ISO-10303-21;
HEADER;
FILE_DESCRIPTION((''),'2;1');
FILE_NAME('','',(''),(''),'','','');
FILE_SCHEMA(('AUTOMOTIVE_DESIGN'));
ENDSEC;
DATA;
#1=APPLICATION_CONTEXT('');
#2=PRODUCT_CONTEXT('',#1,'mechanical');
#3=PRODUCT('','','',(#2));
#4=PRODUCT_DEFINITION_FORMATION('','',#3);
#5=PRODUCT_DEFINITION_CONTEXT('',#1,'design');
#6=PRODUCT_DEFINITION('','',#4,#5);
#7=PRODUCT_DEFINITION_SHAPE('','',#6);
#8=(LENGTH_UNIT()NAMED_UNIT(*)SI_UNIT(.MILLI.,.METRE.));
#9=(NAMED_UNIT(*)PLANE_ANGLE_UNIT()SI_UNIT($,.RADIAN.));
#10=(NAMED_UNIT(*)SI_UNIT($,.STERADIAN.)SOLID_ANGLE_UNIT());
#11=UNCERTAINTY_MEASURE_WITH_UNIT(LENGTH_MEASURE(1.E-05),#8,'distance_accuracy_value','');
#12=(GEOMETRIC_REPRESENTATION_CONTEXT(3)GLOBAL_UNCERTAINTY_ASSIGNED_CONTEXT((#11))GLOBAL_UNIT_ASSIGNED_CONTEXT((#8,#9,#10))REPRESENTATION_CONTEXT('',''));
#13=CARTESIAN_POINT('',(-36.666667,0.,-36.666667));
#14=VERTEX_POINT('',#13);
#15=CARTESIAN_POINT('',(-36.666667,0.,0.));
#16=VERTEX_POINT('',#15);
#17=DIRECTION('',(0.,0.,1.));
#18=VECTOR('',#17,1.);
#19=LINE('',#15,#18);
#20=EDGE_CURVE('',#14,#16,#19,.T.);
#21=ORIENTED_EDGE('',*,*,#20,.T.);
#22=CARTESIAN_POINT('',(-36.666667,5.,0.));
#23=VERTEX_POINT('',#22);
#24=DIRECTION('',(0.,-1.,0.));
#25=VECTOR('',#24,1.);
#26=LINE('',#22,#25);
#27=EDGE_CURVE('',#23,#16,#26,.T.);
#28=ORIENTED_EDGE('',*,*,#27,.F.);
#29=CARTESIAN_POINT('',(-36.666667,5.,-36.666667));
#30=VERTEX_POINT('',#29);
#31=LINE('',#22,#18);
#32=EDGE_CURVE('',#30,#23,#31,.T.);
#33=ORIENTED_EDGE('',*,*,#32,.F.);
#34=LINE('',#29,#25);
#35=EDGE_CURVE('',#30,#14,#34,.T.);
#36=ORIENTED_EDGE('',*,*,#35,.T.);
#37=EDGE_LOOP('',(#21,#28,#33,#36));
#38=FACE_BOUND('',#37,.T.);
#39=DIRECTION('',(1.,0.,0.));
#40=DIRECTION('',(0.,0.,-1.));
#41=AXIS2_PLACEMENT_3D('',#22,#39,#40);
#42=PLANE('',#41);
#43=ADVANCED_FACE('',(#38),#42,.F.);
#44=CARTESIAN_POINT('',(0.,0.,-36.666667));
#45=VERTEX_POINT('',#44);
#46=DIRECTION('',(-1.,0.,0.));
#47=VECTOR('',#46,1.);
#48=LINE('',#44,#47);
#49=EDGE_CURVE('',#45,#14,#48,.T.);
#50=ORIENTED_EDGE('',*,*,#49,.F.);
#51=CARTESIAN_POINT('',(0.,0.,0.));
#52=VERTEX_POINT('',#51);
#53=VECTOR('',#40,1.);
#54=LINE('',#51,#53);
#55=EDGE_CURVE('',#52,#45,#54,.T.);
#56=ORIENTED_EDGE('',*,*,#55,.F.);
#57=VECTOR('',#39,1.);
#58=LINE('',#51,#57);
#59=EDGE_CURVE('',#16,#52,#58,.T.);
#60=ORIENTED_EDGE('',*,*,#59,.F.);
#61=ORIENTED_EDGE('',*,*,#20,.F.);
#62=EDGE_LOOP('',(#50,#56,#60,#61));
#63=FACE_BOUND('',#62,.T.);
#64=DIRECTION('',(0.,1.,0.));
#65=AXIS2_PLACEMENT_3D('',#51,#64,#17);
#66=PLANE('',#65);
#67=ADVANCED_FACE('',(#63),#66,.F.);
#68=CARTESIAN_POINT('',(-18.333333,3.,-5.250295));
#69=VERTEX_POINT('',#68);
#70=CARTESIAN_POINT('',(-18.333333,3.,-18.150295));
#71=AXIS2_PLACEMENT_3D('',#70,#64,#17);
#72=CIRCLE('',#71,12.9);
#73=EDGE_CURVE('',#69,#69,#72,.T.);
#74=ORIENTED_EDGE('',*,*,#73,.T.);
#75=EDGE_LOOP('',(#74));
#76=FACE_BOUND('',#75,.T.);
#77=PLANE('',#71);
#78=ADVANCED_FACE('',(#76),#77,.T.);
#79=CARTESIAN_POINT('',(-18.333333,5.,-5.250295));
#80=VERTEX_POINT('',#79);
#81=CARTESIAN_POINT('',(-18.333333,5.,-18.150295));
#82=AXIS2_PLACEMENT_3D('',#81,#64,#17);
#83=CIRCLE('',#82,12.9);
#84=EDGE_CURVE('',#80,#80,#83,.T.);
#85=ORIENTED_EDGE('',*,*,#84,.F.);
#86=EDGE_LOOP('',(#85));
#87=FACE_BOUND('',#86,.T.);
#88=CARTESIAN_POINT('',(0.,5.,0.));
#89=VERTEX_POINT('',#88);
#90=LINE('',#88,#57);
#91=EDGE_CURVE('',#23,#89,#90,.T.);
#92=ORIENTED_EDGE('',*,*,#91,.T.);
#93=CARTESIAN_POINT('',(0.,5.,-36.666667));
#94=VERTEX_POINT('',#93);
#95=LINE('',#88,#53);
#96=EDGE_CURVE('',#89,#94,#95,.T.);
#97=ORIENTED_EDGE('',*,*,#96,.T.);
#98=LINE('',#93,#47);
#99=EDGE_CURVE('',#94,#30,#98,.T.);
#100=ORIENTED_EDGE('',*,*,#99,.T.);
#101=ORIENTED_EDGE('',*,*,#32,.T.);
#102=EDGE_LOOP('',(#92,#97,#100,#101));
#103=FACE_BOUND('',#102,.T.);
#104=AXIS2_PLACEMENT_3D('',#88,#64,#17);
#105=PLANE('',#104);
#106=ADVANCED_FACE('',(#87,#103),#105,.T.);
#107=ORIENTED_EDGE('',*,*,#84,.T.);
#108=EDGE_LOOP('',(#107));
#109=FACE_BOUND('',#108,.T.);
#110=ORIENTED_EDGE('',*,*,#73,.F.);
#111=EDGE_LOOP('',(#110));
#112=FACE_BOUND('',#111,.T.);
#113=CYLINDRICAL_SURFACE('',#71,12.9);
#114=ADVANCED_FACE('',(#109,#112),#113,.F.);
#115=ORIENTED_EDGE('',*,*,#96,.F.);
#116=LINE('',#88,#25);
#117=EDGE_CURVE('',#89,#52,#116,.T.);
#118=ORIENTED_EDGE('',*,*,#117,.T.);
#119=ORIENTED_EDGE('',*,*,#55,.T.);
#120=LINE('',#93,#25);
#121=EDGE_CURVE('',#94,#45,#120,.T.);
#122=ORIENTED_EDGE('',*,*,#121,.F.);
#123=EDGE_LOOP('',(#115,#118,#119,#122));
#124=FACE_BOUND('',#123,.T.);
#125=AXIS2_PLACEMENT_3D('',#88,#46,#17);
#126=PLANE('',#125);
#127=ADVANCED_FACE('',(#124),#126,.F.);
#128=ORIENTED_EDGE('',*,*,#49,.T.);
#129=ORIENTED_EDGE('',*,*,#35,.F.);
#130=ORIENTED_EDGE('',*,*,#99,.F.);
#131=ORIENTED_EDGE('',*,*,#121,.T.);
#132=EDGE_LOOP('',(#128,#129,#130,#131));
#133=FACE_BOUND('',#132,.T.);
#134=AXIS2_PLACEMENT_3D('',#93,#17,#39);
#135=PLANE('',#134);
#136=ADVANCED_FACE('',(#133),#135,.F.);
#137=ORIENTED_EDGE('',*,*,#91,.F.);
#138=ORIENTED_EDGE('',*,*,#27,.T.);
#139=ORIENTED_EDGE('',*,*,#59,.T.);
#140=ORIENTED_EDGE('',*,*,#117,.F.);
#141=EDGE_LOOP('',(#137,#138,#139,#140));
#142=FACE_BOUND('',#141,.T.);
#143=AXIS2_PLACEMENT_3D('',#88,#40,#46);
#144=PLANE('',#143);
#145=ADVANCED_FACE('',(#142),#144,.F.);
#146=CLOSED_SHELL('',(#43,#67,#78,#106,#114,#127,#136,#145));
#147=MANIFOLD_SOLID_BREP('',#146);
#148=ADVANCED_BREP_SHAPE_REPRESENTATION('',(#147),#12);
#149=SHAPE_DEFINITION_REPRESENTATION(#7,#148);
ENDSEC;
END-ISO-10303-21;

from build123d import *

# Parameters (mm, degrees)
SKETCH1_W           = 36.666666667
SKETCH1_H           = 36.666666667
BOSS_EXTRUDE1_DEPTH = 5
SKETCH2_R           = 12.9
CUT_EXTRUDE1_DEPTH  = 2


with BuildPart() as part:
    # Sketch1 → Boss-Extrude1 (new body)
    with BuildSketch(Plane(origin=(0, 0, 0), x_dir=(1, 0, 0), z_dir=(0, 1, 0))):
        with Locations((-18.333333334, 18.333333334)):
            Rectangle(SKETCH1_W, SKETCH1_H)
    extrude(amount=BOSS_EXTRUDE1_DEPTH)

    # Sketch2 → Cut-Extrude1 (cut)
    with BuildSketch(Plane(origin=(0, 5, 0), x_dir=(1, 0, 0), z_dir=(0, 1, 0))):
        with Locations((-18.333333333, 18.150294579)):
            Circle(SKETCH2_R)
    extrude(amount=-CUT_EXTRUDE1_DEPTH, mode=Mode.SUBTRACT)


solid = part.part
